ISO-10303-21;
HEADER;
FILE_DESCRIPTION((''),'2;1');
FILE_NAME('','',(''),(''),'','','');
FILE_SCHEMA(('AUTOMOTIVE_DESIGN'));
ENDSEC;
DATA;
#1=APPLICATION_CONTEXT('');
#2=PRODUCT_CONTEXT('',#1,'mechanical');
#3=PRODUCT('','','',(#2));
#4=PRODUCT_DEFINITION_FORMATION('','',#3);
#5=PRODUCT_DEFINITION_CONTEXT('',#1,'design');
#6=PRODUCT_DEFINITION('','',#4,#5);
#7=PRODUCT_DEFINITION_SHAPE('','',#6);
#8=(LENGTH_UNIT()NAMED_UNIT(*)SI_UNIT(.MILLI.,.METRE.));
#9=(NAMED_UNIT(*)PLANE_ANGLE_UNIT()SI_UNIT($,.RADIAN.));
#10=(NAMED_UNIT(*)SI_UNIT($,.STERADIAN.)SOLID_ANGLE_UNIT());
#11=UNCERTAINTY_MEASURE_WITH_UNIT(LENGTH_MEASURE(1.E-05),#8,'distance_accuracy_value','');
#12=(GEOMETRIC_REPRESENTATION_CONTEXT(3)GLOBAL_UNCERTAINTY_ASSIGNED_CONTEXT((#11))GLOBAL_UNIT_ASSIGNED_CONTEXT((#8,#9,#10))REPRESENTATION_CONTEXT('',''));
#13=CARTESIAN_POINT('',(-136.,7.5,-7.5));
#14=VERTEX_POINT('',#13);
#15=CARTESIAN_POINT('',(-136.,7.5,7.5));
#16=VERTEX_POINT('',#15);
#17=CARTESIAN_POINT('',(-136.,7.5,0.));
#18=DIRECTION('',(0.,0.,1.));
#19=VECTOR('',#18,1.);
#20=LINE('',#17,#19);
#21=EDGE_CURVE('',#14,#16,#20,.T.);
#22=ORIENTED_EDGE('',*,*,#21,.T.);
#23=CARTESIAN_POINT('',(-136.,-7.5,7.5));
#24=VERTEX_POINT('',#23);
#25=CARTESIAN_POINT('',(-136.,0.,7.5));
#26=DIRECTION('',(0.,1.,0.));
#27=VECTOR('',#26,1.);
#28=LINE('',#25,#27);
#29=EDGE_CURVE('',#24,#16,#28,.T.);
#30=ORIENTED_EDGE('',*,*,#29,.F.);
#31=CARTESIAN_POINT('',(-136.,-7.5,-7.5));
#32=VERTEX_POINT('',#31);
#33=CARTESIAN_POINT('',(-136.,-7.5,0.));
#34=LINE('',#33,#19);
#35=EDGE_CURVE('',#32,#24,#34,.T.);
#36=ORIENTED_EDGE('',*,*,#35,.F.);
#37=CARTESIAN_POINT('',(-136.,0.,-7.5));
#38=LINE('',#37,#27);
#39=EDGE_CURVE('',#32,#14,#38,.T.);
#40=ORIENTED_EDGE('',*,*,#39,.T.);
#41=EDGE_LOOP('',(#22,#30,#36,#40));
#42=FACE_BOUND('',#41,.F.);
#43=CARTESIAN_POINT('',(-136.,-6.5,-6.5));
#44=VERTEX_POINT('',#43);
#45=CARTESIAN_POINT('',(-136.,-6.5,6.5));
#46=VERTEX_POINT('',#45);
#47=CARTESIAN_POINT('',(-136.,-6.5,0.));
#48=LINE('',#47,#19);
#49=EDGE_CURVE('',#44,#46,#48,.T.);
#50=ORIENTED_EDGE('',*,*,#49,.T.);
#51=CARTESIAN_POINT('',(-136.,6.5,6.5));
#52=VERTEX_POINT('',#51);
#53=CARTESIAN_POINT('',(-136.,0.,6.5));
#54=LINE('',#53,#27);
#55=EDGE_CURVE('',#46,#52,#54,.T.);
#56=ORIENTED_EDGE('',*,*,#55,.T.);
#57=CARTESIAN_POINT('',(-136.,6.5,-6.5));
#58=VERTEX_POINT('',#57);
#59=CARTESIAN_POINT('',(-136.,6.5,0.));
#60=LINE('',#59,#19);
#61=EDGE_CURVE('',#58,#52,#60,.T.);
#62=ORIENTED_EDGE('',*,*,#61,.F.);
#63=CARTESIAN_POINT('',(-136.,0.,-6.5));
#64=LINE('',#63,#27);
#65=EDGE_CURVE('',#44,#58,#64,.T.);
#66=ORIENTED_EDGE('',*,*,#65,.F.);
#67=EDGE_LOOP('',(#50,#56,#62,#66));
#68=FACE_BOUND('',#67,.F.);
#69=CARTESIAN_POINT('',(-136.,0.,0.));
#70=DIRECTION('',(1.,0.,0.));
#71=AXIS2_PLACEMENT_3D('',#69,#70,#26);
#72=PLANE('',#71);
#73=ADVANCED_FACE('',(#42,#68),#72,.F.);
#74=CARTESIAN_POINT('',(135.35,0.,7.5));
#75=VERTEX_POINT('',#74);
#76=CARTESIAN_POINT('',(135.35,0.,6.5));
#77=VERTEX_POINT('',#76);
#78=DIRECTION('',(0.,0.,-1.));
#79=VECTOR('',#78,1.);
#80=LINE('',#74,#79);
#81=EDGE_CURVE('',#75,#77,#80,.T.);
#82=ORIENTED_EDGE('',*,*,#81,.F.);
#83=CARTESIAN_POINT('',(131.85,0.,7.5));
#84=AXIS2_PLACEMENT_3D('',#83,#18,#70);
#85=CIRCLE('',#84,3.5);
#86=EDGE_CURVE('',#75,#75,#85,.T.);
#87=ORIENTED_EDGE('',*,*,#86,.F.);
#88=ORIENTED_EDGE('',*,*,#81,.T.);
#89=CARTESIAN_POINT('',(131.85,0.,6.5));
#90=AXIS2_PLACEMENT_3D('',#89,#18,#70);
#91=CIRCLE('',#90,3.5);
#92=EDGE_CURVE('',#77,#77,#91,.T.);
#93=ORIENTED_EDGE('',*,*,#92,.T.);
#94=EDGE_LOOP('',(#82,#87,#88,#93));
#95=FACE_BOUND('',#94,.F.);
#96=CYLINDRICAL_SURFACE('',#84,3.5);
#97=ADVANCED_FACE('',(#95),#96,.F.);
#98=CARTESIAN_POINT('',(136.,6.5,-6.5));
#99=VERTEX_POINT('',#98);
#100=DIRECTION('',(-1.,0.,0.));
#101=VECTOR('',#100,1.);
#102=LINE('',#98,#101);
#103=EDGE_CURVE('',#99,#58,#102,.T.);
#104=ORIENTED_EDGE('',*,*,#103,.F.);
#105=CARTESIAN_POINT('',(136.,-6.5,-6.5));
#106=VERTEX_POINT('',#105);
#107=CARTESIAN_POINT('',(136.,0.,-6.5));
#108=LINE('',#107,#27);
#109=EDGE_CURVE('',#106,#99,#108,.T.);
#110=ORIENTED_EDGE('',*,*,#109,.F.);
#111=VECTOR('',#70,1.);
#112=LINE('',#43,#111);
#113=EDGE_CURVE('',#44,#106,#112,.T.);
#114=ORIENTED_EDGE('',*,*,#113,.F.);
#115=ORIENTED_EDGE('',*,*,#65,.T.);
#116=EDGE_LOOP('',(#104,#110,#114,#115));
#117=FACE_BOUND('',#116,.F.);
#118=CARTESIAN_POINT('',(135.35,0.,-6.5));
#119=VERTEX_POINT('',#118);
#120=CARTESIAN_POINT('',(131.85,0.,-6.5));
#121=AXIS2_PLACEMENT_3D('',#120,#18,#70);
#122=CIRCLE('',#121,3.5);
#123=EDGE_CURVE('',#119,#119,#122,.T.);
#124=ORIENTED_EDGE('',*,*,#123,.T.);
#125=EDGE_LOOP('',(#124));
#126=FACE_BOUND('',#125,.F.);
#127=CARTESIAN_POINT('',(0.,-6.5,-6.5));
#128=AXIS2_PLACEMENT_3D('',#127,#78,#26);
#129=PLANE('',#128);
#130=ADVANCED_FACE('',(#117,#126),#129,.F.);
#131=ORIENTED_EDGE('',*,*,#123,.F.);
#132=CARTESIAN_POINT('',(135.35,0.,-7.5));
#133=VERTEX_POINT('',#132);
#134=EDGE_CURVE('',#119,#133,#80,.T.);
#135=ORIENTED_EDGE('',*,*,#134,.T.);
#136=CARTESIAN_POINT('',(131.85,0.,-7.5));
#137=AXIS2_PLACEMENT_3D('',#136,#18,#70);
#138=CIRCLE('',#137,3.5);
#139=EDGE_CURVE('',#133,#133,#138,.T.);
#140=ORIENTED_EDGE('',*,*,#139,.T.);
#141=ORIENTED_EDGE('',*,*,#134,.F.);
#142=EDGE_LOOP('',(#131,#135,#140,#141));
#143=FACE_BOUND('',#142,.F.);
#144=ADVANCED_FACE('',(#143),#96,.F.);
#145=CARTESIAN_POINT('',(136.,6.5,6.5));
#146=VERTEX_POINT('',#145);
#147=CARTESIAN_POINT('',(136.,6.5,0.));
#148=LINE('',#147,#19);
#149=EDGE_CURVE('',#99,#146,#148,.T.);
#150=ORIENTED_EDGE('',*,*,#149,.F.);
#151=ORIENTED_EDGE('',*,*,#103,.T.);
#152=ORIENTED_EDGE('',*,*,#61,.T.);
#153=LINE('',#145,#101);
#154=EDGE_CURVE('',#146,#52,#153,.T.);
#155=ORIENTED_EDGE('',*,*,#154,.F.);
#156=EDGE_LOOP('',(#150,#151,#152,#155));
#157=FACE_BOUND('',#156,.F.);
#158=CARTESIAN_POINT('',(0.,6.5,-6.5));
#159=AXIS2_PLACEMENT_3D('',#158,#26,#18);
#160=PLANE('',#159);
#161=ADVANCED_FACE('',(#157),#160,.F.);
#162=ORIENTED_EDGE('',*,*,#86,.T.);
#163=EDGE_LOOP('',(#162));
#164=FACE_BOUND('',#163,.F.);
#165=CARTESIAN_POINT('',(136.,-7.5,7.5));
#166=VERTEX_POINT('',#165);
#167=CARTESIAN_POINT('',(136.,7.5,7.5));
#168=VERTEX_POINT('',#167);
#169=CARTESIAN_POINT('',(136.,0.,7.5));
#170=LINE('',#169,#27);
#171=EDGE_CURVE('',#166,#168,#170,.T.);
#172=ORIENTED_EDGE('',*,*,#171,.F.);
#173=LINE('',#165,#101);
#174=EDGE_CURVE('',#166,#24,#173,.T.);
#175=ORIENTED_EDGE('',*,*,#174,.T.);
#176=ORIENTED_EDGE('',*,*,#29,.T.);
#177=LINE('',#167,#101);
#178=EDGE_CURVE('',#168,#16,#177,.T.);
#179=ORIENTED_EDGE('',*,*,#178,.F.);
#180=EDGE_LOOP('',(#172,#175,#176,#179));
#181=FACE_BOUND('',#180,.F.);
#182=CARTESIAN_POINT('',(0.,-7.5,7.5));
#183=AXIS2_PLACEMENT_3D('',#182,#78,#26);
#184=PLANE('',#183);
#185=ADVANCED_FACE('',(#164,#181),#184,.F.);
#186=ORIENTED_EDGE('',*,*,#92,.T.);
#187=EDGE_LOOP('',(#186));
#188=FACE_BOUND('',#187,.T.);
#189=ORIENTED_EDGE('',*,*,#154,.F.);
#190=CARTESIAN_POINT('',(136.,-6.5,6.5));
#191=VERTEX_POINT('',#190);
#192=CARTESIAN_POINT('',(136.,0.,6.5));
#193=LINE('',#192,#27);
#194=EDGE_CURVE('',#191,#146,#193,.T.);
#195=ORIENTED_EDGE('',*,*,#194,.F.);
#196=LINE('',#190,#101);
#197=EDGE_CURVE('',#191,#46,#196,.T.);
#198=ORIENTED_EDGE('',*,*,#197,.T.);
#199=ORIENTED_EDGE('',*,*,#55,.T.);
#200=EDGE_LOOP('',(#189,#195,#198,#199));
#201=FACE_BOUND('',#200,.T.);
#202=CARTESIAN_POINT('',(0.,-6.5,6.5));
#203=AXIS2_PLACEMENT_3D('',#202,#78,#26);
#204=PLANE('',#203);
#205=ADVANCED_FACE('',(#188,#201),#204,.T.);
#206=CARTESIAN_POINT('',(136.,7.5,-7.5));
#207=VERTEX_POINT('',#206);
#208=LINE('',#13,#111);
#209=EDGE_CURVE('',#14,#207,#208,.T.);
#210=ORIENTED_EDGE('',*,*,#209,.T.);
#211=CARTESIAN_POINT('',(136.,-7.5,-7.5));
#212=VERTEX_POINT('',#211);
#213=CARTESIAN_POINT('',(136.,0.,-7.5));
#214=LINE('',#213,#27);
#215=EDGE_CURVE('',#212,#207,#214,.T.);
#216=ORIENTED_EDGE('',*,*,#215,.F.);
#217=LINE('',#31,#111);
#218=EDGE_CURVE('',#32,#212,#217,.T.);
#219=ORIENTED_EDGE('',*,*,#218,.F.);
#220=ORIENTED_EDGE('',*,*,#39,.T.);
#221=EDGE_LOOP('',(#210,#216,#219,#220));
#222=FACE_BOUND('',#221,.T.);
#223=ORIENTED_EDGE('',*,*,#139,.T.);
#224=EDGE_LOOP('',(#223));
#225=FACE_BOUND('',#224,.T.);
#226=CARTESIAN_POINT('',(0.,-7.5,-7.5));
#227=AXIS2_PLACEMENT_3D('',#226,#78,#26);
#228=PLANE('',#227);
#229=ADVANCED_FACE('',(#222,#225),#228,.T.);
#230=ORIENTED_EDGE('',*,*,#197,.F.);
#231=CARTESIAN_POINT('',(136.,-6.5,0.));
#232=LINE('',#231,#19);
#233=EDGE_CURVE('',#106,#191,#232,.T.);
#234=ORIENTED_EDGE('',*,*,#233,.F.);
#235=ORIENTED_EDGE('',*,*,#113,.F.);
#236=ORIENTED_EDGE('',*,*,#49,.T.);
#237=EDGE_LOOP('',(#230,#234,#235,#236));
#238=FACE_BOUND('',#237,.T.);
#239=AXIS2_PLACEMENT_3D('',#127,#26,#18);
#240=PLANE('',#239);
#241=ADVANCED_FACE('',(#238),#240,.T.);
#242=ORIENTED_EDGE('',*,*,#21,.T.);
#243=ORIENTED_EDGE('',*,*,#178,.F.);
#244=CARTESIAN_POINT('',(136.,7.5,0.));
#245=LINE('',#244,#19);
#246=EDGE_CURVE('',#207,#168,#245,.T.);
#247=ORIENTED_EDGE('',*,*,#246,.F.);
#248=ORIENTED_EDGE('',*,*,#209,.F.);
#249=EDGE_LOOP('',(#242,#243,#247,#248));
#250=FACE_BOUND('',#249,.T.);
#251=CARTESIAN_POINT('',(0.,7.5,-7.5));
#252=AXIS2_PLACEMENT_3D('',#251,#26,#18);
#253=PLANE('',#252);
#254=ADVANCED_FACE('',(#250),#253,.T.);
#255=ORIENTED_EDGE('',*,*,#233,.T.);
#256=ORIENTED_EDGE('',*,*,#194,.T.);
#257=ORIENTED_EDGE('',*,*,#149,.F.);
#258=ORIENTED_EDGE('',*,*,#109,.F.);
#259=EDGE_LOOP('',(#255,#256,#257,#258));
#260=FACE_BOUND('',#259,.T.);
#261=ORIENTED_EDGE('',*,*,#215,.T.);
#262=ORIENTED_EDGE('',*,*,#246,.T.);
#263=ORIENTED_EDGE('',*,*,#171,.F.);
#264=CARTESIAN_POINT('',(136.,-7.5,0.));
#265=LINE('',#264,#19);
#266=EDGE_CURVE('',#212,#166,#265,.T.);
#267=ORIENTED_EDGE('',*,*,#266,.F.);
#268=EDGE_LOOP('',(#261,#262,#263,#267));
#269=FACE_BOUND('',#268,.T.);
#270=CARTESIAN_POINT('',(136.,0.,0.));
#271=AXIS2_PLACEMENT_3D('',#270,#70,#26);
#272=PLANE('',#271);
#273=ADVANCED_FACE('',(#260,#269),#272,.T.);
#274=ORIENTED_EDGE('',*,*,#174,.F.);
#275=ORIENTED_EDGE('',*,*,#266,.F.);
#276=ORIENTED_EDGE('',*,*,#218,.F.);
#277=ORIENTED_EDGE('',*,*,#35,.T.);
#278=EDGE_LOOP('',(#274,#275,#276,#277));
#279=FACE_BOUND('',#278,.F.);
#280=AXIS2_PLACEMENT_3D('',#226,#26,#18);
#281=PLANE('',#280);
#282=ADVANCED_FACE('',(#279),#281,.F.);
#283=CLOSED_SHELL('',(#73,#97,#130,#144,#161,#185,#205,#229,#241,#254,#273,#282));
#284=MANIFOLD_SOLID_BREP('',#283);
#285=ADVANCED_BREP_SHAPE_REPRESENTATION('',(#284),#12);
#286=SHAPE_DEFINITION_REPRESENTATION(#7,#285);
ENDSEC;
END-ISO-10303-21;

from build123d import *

# Parameters (mm, degrees)
F0_W          = 15
F0_H          = 15
F0_W_2        = 13
F0_H_2        = 13
F1_DEPTH      = 136
F1_DEPTH_BACK = 136
F2_R          = 3.5
F3_DEPTH      = 25


with BuildPart() as f1:
    # F0 (on Right) → F1 (new body, two sides)
    with BuildSketch(Plane.YZ) as f1_sk:
        Rectangle(F0_W, F0_H)
        Rectangle(F0_W_2, F0_H_2, mode=Mode.SUBTRACT)
    extrude(amount=F1_DEPTH)
    extrude(f1_sk.sketch, amount=-F1_DEPTH_BACK)

    # F2 (on face) → F3 (cut)
    with BuildSketch(Plane.XY.offset(7.5)):
        with Locations((131.85, 0)):
            Circle(F2_R)
    extrude(amount=-F3_DEPTH, mode=Mode.SUBTRACT)


solid = f1.part
